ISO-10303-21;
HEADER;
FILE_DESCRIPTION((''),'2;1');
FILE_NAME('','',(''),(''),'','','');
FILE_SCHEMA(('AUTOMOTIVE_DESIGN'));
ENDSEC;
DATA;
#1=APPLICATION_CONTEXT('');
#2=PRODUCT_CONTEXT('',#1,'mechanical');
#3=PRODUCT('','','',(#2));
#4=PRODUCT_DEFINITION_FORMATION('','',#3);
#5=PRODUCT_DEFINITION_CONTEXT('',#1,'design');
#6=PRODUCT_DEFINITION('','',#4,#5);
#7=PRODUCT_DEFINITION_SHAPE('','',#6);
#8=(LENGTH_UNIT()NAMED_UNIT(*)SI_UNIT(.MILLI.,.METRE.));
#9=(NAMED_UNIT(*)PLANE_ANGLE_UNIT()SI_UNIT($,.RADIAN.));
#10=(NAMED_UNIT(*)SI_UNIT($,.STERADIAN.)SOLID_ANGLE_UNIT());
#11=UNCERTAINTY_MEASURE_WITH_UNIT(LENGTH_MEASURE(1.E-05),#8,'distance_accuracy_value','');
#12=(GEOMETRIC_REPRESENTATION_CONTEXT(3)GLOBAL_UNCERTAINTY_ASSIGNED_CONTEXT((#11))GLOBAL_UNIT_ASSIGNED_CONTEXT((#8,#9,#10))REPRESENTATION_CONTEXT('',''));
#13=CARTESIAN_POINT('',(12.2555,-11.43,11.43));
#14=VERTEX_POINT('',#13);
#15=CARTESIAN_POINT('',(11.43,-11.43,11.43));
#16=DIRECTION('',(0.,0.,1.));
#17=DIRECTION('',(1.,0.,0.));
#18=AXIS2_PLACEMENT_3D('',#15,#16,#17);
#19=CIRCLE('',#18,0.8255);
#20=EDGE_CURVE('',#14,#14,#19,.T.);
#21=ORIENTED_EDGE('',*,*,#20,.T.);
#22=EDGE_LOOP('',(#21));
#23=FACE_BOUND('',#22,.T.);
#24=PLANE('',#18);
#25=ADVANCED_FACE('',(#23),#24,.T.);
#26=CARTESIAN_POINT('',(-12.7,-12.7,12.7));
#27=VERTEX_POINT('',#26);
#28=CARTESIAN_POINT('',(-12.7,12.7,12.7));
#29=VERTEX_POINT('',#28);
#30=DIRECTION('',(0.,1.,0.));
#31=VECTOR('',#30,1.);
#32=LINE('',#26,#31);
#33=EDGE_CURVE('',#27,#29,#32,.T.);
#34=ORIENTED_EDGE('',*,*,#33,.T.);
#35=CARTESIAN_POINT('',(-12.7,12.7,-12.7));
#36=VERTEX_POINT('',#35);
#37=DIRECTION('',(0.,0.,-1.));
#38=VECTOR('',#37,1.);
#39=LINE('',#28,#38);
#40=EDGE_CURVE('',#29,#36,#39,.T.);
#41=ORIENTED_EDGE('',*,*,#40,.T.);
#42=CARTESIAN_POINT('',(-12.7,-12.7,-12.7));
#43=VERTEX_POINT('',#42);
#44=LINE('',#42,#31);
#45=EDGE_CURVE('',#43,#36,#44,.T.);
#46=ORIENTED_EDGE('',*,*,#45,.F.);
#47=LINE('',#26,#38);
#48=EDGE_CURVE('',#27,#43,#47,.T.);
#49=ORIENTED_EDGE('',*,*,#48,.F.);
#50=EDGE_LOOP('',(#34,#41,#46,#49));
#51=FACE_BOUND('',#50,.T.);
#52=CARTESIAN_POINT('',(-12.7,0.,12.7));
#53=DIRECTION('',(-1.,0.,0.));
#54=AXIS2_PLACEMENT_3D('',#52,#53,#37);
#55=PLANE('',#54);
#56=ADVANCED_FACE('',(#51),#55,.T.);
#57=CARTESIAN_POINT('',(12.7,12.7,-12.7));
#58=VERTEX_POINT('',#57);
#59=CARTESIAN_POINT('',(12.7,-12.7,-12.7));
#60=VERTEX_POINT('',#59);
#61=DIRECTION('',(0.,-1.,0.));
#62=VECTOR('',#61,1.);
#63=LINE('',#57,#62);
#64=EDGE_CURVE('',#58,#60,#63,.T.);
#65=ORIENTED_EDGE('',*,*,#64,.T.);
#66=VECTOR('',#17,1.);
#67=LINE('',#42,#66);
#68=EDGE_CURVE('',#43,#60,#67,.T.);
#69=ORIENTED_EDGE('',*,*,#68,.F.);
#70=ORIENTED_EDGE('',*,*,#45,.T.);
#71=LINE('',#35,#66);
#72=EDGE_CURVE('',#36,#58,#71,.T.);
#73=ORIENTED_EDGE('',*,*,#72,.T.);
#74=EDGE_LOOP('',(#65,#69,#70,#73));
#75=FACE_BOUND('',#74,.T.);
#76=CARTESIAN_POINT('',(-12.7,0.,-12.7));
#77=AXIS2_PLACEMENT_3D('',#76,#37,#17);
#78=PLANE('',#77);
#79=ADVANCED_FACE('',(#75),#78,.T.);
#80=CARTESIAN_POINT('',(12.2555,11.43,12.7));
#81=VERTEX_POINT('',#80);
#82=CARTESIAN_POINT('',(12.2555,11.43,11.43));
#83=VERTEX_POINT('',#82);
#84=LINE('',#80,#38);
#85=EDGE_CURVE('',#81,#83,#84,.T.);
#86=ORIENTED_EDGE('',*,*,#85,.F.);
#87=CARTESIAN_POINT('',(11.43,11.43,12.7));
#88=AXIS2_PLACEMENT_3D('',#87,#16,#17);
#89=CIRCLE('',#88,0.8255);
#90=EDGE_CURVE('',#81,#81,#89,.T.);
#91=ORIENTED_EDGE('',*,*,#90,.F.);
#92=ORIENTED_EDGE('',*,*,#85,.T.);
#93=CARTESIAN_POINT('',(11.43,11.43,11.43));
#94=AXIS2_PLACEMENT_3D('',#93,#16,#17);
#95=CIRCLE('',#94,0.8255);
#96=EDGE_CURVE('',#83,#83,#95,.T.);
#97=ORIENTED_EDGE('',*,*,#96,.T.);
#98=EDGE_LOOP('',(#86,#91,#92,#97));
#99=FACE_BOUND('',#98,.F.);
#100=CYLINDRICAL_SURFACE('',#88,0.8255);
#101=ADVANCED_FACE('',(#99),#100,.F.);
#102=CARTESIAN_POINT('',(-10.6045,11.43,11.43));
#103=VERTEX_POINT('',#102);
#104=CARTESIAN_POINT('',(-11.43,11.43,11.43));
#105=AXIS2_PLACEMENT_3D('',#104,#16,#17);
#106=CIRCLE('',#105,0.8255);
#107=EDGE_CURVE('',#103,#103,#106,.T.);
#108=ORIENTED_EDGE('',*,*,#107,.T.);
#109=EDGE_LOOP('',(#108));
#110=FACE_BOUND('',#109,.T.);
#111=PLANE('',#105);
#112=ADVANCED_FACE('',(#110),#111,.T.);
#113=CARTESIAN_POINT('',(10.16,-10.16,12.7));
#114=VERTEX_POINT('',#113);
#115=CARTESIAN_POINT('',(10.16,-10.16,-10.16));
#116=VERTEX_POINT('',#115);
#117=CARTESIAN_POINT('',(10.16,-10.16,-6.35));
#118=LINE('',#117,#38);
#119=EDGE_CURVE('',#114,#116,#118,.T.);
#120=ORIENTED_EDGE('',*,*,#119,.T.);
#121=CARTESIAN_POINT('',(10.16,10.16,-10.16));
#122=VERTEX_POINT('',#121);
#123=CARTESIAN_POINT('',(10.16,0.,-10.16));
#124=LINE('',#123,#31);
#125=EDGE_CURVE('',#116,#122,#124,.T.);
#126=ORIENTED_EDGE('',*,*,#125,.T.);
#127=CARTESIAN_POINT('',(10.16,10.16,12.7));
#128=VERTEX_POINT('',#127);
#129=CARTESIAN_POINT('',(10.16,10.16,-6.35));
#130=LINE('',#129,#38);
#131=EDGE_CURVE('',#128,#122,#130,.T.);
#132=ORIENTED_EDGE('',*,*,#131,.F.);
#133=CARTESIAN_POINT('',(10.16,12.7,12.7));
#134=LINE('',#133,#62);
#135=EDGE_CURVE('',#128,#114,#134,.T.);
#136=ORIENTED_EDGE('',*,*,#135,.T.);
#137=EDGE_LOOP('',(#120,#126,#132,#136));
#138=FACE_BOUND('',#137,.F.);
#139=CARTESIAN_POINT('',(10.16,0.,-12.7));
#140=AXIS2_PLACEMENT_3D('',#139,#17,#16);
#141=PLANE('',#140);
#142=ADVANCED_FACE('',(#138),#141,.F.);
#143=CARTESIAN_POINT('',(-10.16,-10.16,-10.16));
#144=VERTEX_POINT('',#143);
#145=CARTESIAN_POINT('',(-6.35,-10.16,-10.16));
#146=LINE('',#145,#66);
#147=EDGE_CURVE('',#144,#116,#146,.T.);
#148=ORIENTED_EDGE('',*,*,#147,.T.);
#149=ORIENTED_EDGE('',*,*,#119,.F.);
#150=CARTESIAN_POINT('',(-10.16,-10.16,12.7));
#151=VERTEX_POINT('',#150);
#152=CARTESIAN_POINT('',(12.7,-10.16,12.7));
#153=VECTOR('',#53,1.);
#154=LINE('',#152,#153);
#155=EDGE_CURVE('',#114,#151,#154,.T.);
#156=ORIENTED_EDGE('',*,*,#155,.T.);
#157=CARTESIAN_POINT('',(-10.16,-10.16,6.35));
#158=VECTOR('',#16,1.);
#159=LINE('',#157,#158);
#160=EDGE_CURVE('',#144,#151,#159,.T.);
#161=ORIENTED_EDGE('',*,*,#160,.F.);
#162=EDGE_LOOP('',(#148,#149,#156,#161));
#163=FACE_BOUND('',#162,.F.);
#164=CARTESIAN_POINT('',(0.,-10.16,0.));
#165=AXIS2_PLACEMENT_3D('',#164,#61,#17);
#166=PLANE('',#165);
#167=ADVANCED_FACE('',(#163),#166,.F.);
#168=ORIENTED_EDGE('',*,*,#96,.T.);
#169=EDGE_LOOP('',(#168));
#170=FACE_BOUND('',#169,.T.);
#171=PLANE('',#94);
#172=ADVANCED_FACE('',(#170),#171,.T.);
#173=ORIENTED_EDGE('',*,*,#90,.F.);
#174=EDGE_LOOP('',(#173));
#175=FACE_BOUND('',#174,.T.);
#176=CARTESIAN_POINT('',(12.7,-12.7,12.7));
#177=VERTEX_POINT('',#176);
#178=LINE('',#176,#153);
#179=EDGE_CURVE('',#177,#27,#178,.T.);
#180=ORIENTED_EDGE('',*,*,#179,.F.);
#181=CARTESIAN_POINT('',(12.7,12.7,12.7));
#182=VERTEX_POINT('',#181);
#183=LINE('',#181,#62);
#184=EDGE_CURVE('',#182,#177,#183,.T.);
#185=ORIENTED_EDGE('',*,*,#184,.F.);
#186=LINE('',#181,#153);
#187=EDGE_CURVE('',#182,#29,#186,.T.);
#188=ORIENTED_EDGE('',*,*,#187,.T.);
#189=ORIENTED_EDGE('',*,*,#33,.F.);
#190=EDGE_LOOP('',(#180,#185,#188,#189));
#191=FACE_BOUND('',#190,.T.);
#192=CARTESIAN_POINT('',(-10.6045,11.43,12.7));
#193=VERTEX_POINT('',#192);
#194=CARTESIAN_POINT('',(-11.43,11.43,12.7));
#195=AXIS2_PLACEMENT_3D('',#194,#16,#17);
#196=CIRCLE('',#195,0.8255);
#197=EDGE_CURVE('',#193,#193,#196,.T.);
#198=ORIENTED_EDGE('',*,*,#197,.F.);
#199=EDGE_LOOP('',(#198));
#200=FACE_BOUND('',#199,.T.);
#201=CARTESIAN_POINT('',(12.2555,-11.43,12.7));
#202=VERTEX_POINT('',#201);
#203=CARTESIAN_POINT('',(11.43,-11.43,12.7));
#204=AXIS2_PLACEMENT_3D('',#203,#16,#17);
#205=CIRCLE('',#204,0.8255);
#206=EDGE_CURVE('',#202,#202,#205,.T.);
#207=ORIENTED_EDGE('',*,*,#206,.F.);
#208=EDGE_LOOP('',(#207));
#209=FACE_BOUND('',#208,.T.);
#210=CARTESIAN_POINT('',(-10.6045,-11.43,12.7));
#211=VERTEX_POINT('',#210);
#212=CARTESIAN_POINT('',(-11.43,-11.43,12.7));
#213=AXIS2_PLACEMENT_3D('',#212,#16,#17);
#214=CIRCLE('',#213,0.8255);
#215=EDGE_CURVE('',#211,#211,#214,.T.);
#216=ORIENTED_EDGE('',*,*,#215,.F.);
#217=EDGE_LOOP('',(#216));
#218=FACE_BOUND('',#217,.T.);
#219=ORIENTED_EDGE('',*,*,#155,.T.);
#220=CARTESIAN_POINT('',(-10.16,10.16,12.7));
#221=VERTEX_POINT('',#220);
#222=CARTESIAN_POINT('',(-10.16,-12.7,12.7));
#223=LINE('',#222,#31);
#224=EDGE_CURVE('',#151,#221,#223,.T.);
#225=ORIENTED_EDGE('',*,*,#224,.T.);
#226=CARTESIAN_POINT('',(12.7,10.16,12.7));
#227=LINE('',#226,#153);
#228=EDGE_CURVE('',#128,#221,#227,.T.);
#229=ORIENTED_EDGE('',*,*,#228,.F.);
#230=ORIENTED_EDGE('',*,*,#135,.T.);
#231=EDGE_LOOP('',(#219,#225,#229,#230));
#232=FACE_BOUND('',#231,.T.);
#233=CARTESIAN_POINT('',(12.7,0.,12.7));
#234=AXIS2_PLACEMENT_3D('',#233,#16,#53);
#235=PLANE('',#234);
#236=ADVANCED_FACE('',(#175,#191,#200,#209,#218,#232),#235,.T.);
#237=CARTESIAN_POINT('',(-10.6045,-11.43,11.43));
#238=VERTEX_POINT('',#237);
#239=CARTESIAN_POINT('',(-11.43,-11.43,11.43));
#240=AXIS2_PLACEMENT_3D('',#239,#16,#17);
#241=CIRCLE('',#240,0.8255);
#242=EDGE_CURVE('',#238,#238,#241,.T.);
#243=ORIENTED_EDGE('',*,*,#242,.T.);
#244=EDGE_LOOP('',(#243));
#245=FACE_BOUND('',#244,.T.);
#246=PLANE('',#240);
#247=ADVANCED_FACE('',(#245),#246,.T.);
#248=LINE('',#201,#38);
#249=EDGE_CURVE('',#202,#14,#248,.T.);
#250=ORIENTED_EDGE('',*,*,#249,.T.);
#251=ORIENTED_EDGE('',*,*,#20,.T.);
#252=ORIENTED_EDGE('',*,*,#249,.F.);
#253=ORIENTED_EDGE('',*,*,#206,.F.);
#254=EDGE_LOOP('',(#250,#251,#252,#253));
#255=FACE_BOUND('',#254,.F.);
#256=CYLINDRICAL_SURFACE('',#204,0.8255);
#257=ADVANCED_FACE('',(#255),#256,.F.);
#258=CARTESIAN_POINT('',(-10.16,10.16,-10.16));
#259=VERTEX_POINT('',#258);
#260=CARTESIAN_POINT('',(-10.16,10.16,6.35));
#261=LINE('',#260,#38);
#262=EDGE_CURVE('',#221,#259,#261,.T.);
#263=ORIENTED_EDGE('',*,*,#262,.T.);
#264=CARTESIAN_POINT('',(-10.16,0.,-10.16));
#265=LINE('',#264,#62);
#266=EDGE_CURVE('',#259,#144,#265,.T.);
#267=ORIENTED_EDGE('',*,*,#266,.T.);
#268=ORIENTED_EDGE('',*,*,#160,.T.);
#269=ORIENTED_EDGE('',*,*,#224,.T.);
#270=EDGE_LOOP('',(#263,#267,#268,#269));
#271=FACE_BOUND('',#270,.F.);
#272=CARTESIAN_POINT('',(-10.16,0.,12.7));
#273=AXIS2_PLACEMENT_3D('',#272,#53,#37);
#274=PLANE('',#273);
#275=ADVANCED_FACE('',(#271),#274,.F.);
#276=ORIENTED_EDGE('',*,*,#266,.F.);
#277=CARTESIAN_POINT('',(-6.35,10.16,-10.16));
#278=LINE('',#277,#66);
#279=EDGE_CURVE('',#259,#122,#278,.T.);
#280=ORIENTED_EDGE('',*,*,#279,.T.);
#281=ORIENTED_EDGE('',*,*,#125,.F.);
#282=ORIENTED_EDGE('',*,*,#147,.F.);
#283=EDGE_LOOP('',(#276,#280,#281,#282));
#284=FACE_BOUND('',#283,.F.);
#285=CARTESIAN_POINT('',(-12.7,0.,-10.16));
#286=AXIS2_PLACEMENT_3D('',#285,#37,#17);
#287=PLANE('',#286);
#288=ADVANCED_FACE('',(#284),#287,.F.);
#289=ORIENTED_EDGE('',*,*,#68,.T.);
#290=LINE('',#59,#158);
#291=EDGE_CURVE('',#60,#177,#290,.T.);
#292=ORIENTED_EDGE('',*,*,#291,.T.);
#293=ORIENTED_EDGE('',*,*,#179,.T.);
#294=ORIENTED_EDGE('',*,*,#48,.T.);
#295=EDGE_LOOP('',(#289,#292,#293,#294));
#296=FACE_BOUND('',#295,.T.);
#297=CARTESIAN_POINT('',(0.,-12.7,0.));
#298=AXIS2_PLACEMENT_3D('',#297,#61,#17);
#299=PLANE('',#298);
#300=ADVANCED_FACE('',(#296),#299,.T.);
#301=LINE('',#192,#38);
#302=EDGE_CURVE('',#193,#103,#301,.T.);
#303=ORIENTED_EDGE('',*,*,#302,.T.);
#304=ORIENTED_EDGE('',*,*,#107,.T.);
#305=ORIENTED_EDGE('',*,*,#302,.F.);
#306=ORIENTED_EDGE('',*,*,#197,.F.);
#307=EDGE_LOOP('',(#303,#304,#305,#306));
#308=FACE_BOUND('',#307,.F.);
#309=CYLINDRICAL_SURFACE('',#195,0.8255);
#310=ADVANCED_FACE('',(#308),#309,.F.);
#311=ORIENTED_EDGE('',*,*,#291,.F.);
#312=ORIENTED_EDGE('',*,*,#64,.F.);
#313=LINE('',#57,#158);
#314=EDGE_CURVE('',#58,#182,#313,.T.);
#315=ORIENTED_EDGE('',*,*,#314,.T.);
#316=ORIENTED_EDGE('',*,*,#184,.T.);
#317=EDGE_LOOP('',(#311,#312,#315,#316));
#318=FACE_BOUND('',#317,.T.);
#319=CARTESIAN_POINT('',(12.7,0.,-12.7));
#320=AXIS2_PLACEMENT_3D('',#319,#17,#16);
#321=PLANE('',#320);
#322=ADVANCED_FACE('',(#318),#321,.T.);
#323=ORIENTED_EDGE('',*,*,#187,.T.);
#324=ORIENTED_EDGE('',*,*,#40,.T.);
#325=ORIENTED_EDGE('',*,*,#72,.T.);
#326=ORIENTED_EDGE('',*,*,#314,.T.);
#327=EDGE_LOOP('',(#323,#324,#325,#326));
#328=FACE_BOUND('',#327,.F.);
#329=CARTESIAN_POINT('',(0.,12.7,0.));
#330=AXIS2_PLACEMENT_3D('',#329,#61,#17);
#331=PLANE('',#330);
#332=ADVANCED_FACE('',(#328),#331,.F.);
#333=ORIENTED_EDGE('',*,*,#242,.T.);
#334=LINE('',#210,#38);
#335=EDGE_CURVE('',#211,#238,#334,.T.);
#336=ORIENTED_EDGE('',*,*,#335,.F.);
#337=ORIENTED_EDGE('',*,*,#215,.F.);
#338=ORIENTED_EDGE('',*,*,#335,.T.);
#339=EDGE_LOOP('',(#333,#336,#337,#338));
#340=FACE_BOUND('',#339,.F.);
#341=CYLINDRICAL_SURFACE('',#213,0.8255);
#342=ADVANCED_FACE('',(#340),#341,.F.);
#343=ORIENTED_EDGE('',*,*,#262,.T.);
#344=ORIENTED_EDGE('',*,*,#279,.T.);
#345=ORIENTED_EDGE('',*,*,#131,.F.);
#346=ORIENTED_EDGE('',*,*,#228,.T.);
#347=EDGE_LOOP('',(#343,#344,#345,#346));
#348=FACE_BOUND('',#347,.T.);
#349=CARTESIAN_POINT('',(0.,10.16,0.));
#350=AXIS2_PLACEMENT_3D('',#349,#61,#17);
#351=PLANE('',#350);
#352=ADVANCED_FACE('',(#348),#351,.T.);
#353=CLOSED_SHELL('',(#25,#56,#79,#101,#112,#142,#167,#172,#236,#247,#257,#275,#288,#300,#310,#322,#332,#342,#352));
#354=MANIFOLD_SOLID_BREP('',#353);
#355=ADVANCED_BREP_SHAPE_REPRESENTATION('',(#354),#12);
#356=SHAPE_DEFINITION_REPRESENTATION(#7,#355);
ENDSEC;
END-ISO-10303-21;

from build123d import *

# Parameters (mm, degrees)
F1_DEPTH = 12.7
F2_T     = -2.54
F3_R     = 0.8255
F4_DEPTH = 1.27


with BuildPart() as f1:
    # F0 (on Front) → F1 (new body, symmetric)
    with BuildSketch(Plane.XZ):
        Polygon((-12.7, -12.7), (0, -12.7), (12.7, -12.7), (12.7, 0), (12.7, 12.7), (0, 12.7), (-12.7, 12.7), (-12.7, 0), align=None)
    extrude(amount=F1_DEPTH, both=True)

    # F2
    f2_openings = [f1.faces().sort_by_distance(p)[0] for p in [
        (0, 0, 12.7),
    ]]
    offset(amount=F2_T, openings=f2_openings)

    # F3 (on face) → F4 (cut)
    with BuildSketch(Plane.XY.offset(12.7)):
        with Locations((-11.43, 11.43)):
            Circle(F3_R)
        with Locations((11.43, 11.43)):
            Circle(F3_R)
        with Locations((11.43, -11.43)):
            Circle(F3_R)
        with Locations((-11.43, -11.43)):
            Circle(F3_R)
    extrude(amount=-F4_DEPTH, mode=Mode.SUBTRACT)


solid = f1.part
